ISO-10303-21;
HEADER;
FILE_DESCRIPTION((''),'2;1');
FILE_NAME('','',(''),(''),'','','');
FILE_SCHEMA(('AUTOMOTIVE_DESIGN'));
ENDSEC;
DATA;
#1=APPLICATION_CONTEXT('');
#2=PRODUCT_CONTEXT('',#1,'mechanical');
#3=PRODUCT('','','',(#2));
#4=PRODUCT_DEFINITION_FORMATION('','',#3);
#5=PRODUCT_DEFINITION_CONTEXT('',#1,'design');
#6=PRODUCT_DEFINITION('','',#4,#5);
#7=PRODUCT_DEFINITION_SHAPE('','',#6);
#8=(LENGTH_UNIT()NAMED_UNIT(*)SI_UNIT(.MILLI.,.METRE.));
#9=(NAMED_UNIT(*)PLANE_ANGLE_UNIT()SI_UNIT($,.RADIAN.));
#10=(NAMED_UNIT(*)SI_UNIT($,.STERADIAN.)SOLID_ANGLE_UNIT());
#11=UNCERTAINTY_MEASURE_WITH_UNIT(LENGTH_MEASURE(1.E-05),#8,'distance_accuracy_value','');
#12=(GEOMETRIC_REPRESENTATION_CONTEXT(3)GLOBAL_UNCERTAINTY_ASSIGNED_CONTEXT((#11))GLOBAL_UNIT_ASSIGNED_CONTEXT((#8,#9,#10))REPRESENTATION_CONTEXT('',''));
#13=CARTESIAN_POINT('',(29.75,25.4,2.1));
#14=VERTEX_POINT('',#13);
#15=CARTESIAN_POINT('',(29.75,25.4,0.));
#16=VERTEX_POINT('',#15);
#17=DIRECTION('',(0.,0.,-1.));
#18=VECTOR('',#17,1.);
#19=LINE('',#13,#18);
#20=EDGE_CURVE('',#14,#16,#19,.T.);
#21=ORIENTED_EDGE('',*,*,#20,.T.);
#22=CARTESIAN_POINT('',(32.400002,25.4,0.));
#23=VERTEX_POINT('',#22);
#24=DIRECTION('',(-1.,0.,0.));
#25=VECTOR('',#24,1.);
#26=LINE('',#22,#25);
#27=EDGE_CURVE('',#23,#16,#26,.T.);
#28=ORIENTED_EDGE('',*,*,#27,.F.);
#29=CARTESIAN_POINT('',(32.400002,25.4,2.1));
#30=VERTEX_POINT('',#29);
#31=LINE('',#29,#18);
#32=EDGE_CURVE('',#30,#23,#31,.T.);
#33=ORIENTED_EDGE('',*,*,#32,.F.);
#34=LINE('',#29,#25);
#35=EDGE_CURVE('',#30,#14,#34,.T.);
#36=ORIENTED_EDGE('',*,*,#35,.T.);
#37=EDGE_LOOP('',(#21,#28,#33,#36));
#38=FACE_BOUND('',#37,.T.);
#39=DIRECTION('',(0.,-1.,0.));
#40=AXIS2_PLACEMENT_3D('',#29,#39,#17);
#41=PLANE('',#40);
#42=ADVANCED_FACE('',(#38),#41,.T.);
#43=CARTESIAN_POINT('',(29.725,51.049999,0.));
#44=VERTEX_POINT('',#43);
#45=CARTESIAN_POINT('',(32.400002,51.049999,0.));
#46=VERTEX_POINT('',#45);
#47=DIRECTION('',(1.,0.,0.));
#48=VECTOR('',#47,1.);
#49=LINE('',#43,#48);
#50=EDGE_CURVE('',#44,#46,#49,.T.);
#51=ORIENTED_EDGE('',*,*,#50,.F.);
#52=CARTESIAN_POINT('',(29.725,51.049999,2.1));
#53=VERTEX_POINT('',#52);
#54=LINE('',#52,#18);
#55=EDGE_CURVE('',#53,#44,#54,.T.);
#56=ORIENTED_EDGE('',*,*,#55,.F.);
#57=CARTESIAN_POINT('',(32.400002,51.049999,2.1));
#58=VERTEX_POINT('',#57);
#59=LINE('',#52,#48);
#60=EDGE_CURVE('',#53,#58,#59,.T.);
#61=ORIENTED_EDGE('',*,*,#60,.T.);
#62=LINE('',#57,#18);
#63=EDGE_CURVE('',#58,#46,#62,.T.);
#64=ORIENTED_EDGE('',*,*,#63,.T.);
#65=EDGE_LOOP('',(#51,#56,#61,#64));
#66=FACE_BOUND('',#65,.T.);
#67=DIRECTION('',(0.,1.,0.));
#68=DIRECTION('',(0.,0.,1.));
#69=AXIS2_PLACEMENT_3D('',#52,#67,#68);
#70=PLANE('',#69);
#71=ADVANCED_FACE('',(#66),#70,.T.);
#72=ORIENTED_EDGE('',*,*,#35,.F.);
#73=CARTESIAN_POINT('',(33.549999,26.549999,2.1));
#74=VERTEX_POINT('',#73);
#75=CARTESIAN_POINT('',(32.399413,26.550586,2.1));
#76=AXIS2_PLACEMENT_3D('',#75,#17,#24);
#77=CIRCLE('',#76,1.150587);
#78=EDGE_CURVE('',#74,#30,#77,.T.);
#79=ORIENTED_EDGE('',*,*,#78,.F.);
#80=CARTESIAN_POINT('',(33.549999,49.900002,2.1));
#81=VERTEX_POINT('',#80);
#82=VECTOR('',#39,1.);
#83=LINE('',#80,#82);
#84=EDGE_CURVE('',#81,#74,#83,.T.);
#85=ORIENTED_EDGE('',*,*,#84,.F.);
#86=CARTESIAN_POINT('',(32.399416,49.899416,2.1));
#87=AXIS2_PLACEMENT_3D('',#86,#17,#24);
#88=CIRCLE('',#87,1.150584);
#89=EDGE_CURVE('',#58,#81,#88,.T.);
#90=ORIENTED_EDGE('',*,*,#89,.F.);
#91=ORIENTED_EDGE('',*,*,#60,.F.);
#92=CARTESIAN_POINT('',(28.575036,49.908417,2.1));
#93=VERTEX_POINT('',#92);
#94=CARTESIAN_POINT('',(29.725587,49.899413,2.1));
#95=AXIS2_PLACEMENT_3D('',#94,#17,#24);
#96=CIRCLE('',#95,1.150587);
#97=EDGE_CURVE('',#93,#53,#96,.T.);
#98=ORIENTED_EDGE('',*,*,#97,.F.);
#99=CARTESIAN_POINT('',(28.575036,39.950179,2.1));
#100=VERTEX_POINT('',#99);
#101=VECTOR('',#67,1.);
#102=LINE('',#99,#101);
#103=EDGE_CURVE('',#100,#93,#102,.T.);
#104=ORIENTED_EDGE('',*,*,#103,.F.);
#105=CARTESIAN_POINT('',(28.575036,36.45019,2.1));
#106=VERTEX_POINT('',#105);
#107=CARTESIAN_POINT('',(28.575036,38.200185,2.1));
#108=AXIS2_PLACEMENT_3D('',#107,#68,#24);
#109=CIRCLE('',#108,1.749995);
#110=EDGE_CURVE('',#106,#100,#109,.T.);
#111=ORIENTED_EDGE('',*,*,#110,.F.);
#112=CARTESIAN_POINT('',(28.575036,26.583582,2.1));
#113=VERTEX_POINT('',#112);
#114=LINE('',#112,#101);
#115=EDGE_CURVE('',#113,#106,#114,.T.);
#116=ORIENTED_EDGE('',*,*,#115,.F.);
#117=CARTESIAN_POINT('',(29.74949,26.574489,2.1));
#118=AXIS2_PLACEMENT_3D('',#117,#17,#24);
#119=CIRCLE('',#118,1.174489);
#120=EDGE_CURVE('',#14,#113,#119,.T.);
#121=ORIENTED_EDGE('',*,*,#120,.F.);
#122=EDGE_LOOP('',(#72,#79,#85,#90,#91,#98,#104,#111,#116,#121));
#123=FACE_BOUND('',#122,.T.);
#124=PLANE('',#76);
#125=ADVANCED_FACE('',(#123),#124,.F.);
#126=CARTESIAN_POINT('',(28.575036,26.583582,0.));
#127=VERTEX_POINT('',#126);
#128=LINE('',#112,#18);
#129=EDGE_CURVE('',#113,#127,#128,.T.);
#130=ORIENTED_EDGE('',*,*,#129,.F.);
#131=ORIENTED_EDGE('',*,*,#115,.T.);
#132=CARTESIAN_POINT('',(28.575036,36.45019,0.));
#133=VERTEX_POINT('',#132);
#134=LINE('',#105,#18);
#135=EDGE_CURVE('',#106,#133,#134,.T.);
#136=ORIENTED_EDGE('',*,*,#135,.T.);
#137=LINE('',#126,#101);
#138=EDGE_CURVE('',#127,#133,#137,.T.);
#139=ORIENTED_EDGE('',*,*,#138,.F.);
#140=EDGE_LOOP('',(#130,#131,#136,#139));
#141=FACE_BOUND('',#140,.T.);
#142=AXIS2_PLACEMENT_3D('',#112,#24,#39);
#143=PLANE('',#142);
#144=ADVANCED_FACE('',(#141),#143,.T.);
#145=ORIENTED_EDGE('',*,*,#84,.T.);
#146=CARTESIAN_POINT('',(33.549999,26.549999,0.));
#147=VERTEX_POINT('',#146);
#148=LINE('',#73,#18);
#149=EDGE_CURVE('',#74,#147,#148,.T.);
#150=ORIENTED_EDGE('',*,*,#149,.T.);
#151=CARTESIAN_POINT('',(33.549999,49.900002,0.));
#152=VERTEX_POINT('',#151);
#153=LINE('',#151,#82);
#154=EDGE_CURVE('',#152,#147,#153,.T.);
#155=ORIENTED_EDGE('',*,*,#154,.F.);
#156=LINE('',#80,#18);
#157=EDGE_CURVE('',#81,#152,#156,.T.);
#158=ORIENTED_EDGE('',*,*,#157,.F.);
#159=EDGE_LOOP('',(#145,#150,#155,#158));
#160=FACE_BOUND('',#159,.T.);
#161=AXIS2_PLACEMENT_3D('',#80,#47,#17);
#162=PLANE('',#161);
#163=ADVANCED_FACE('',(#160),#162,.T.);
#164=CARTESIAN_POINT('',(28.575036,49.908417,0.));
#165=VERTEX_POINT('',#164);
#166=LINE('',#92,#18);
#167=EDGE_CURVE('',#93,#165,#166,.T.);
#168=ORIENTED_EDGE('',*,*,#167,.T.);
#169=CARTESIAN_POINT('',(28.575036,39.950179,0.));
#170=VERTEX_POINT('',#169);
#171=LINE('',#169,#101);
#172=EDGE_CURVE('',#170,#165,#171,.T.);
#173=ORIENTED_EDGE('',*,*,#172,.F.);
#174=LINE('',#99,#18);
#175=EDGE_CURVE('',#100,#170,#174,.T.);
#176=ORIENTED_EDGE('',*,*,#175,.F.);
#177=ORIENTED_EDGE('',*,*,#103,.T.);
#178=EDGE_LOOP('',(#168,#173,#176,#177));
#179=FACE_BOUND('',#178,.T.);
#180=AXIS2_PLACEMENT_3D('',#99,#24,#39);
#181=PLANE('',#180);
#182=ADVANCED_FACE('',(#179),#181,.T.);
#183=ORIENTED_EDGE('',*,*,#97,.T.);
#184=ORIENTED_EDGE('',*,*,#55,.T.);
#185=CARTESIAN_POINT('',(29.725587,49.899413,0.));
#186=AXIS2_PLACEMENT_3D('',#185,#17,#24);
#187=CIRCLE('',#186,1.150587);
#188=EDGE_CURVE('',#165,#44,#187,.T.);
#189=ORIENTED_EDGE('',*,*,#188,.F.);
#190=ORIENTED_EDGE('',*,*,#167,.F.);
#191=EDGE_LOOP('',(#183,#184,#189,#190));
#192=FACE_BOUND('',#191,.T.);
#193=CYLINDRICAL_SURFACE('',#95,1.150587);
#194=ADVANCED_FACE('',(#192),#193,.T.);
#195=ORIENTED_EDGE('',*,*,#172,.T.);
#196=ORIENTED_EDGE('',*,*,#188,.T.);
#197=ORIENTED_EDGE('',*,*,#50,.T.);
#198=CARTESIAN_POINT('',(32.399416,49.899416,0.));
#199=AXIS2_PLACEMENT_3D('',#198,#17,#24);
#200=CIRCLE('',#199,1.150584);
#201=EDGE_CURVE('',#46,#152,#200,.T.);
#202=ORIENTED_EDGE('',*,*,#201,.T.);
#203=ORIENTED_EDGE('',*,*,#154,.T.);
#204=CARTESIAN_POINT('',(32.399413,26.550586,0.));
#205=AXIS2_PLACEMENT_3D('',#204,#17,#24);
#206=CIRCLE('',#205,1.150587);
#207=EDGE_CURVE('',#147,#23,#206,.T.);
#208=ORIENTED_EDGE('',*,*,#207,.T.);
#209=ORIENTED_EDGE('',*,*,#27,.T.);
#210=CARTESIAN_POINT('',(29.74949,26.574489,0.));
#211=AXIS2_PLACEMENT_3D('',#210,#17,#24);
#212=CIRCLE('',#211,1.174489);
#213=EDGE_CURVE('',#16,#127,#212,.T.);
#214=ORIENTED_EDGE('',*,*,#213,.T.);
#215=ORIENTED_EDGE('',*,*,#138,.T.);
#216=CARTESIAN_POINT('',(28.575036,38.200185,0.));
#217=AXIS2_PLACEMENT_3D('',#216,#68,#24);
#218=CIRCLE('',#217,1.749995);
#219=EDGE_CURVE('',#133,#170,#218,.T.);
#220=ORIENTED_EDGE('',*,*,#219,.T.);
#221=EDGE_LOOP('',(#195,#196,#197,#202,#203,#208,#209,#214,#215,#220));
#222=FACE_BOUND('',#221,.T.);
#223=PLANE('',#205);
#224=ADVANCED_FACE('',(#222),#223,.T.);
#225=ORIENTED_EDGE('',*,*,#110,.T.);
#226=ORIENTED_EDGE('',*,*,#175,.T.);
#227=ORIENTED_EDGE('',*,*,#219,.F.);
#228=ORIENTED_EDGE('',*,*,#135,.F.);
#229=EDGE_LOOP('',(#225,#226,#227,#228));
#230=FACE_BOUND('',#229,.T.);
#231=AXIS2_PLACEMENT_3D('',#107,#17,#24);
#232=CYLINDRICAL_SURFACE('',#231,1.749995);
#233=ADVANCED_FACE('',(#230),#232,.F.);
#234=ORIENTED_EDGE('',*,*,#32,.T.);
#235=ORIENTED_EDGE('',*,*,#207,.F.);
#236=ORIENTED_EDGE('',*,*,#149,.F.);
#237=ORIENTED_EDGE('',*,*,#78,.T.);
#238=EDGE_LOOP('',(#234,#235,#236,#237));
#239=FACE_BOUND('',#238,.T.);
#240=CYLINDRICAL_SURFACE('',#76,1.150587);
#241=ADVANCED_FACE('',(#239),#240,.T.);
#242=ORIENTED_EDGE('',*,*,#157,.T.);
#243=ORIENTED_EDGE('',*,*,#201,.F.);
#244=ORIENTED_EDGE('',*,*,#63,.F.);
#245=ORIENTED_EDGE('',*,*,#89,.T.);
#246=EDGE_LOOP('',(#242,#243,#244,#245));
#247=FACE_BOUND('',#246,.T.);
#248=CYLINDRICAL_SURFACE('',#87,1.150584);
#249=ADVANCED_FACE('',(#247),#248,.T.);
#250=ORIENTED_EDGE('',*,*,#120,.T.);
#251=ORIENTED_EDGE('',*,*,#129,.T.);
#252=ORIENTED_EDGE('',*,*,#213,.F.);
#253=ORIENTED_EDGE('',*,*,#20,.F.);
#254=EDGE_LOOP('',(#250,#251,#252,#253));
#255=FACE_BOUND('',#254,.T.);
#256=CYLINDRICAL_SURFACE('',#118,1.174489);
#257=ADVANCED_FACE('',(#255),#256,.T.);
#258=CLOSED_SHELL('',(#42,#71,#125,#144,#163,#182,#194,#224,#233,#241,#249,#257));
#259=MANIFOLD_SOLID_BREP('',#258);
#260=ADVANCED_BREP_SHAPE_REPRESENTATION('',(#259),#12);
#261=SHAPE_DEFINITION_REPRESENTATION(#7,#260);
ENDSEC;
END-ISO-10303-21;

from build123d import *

# Parameters (mm, degrees)
EXTRUDE_1_DEPTH = 2.1


with BuildPart() as part:
    # Эскиз1 → Бобышка-Вытянуть1 (new body)
    with BuildSketch(Plane(origin=(0, 0, 0), x_dir=(-1, 0, 0), z_dir=(0, 0, -1))):
        with BuildLine():
            Line((-32.400001526, 25.399999619), (-29.75, 25.399999619))
            ThreePointArc((-29.75, 25.399999619), (-28.915971608, 25.747039587), (-28.575035851, 26.583581821))
            Line((-28.575035851, 26.583581821), (-28.575035851, 36.450190384))
            ThreePointArc((-28.575035851, 36.450190384), (-30.325030381, 38.200184914), (-28.575035851, 39.950179444))
            Line((-28.575035851, 39.950179444), (-28.575035851, 49.908417469))
            ThreePointArc((-28.575035851, 49.908417469), (-28.914981331, 50.715971039), (-29.725000381, 51.049999237))
            Line((-29.725000381, 51.049999237), (-32.400001526, 51.049999237))
            ThreePointArc((-32.400001526, 51.049999237), (-33.213001251, 50.713001251), (-33.549999237, 49.900001526))
            Line((-33.549999237, 49.900001526), (-33.549999237, 26.549999237))
            ThreePointArc((-33.549999237, 26.549999237), (-33.213000972, 25.736999232), (-32.400001526, 25.399999619))
        make_face()
    extrude(amount=-EXTRUDE_1_DEPTH)


solid = part.part
